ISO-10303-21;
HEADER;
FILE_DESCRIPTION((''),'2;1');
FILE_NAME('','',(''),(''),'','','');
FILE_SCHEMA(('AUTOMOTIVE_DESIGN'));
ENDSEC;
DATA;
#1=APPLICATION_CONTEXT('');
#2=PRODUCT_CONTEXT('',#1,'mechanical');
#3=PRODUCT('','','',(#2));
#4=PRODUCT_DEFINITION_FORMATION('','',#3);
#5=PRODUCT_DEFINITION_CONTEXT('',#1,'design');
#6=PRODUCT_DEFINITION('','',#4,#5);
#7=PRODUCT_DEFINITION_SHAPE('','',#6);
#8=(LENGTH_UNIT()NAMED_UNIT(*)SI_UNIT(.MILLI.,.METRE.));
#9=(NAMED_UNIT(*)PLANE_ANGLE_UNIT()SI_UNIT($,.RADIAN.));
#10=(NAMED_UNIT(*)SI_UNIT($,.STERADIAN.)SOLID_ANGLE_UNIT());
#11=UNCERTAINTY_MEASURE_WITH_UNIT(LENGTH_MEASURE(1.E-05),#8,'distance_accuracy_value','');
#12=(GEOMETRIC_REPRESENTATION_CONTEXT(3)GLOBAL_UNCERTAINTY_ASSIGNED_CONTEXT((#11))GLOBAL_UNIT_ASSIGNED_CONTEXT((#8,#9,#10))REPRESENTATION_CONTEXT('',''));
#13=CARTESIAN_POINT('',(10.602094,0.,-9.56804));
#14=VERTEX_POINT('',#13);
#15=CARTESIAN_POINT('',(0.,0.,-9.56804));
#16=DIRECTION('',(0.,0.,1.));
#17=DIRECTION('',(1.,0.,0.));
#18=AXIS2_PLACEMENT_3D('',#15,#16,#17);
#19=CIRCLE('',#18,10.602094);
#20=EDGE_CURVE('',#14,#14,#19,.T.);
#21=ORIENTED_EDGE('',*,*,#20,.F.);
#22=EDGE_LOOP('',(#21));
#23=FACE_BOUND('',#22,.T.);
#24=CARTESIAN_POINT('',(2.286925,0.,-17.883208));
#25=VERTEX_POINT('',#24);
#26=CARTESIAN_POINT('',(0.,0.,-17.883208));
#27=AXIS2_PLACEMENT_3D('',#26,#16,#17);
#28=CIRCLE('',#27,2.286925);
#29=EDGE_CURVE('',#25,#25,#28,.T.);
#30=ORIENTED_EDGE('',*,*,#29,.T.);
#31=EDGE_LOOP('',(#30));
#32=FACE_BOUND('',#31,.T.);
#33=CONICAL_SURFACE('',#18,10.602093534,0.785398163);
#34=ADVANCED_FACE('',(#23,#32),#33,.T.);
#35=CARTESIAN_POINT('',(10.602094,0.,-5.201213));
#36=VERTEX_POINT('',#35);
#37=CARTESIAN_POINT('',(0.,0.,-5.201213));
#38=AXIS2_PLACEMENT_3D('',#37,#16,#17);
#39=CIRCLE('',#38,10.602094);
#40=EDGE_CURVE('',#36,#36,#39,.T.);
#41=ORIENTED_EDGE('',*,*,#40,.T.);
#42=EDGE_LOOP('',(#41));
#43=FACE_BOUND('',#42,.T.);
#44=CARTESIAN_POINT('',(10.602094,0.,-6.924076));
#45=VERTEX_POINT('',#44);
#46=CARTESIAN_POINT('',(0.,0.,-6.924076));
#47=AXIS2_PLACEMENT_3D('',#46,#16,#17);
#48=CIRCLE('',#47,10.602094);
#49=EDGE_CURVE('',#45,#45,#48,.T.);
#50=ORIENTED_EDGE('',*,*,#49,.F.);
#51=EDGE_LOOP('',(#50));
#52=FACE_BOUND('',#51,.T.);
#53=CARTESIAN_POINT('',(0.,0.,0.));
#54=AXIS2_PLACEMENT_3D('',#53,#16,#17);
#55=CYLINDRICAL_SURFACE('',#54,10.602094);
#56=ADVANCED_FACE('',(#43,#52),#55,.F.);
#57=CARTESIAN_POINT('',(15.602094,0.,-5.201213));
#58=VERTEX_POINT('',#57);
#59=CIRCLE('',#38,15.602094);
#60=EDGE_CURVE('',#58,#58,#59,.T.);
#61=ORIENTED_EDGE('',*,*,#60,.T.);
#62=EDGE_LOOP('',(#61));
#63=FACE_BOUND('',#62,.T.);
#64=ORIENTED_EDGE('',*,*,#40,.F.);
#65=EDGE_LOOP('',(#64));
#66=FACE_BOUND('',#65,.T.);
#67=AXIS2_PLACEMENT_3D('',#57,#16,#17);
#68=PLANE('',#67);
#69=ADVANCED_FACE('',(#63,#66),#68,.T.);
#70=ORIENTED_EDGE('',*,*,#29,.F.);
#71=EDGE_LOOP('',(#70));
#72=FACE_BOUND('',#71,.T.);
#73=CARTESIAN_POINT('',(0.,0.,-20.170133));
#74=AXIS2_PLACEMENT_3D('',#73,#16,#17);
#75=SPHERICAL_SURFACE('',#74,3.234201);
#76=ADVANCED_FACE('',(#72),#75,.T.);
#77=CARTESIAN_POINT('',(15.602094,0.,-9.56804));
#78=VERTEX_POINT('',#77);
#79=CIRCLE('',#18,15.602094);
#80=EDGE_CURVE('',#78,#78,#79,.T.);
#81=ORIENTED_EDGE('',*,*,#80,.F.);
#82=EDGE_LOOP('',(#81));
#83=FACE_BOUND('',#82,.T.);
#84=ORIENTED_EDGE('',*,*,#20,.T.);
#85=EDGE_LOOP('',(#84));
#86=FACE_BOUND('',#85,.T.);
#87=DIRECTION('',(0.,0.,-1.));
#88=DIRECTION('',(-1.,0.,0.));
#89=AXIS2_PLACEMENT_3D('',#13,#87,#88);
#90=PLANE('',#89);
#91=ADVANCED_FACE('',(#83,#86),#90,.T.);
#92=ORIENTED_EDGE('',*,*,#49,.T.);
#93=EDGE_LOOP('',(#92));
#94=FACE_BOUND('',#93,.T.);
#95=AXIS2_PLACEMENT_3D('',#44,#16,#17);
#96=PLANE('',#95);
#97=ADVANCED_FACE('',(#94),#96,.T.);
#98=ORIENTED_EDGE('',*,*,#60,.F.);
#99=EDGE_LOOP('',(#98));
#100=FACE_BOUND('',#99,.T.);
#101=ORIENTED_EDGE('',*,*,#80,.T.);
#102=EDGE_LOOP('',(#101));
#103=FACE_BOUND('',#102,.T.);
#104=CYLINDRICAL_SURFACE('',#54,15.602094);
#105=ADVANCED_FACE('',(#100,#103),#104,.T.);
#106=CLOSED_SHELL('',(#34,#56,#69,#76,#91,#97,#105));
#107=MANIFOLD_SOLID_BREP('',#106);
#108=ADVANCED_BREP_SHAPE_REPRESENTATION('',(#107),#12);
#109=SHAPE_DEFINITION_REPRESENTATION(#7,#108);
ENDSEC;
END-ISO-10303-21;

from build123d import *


with BuildPart() as part:
    # Sketch2 → Revolve1 (revolve)
    with BuildSketch(Plane(origin=(0, 0, 0), x_dir=(1, 0, 0), z_dir=(0, 1, 0))):
        with BuildLine():
            Line((2.286925107, 17.883208285), (10.602093534, 9.568039858))
            Line((10.602093534, 9.568039858), (15.602093534, 9.568039858))
            Line((15.602093534, 9.568039858), (15.602093534, 5.20121338))
            Line((15.602093534, 5.20121338), (10.602093534, 5.20121338))
            Line((10.602093534, 5.20121338), (10.602093534, 6.924075642))
            Line((10.602093534, 6.924075642), (0, 6.924075642))
            Line((0, 6.924075642), (0, 23.404333894))
            ThreePointArc((0, 23.404333894), (2.988011648, 21.407808341), (2.286925107, 17.883208285))
        make_face()
    revolve(axis=Axis((0, 0, 0), (0, 0, -1)))


solid = part.part
